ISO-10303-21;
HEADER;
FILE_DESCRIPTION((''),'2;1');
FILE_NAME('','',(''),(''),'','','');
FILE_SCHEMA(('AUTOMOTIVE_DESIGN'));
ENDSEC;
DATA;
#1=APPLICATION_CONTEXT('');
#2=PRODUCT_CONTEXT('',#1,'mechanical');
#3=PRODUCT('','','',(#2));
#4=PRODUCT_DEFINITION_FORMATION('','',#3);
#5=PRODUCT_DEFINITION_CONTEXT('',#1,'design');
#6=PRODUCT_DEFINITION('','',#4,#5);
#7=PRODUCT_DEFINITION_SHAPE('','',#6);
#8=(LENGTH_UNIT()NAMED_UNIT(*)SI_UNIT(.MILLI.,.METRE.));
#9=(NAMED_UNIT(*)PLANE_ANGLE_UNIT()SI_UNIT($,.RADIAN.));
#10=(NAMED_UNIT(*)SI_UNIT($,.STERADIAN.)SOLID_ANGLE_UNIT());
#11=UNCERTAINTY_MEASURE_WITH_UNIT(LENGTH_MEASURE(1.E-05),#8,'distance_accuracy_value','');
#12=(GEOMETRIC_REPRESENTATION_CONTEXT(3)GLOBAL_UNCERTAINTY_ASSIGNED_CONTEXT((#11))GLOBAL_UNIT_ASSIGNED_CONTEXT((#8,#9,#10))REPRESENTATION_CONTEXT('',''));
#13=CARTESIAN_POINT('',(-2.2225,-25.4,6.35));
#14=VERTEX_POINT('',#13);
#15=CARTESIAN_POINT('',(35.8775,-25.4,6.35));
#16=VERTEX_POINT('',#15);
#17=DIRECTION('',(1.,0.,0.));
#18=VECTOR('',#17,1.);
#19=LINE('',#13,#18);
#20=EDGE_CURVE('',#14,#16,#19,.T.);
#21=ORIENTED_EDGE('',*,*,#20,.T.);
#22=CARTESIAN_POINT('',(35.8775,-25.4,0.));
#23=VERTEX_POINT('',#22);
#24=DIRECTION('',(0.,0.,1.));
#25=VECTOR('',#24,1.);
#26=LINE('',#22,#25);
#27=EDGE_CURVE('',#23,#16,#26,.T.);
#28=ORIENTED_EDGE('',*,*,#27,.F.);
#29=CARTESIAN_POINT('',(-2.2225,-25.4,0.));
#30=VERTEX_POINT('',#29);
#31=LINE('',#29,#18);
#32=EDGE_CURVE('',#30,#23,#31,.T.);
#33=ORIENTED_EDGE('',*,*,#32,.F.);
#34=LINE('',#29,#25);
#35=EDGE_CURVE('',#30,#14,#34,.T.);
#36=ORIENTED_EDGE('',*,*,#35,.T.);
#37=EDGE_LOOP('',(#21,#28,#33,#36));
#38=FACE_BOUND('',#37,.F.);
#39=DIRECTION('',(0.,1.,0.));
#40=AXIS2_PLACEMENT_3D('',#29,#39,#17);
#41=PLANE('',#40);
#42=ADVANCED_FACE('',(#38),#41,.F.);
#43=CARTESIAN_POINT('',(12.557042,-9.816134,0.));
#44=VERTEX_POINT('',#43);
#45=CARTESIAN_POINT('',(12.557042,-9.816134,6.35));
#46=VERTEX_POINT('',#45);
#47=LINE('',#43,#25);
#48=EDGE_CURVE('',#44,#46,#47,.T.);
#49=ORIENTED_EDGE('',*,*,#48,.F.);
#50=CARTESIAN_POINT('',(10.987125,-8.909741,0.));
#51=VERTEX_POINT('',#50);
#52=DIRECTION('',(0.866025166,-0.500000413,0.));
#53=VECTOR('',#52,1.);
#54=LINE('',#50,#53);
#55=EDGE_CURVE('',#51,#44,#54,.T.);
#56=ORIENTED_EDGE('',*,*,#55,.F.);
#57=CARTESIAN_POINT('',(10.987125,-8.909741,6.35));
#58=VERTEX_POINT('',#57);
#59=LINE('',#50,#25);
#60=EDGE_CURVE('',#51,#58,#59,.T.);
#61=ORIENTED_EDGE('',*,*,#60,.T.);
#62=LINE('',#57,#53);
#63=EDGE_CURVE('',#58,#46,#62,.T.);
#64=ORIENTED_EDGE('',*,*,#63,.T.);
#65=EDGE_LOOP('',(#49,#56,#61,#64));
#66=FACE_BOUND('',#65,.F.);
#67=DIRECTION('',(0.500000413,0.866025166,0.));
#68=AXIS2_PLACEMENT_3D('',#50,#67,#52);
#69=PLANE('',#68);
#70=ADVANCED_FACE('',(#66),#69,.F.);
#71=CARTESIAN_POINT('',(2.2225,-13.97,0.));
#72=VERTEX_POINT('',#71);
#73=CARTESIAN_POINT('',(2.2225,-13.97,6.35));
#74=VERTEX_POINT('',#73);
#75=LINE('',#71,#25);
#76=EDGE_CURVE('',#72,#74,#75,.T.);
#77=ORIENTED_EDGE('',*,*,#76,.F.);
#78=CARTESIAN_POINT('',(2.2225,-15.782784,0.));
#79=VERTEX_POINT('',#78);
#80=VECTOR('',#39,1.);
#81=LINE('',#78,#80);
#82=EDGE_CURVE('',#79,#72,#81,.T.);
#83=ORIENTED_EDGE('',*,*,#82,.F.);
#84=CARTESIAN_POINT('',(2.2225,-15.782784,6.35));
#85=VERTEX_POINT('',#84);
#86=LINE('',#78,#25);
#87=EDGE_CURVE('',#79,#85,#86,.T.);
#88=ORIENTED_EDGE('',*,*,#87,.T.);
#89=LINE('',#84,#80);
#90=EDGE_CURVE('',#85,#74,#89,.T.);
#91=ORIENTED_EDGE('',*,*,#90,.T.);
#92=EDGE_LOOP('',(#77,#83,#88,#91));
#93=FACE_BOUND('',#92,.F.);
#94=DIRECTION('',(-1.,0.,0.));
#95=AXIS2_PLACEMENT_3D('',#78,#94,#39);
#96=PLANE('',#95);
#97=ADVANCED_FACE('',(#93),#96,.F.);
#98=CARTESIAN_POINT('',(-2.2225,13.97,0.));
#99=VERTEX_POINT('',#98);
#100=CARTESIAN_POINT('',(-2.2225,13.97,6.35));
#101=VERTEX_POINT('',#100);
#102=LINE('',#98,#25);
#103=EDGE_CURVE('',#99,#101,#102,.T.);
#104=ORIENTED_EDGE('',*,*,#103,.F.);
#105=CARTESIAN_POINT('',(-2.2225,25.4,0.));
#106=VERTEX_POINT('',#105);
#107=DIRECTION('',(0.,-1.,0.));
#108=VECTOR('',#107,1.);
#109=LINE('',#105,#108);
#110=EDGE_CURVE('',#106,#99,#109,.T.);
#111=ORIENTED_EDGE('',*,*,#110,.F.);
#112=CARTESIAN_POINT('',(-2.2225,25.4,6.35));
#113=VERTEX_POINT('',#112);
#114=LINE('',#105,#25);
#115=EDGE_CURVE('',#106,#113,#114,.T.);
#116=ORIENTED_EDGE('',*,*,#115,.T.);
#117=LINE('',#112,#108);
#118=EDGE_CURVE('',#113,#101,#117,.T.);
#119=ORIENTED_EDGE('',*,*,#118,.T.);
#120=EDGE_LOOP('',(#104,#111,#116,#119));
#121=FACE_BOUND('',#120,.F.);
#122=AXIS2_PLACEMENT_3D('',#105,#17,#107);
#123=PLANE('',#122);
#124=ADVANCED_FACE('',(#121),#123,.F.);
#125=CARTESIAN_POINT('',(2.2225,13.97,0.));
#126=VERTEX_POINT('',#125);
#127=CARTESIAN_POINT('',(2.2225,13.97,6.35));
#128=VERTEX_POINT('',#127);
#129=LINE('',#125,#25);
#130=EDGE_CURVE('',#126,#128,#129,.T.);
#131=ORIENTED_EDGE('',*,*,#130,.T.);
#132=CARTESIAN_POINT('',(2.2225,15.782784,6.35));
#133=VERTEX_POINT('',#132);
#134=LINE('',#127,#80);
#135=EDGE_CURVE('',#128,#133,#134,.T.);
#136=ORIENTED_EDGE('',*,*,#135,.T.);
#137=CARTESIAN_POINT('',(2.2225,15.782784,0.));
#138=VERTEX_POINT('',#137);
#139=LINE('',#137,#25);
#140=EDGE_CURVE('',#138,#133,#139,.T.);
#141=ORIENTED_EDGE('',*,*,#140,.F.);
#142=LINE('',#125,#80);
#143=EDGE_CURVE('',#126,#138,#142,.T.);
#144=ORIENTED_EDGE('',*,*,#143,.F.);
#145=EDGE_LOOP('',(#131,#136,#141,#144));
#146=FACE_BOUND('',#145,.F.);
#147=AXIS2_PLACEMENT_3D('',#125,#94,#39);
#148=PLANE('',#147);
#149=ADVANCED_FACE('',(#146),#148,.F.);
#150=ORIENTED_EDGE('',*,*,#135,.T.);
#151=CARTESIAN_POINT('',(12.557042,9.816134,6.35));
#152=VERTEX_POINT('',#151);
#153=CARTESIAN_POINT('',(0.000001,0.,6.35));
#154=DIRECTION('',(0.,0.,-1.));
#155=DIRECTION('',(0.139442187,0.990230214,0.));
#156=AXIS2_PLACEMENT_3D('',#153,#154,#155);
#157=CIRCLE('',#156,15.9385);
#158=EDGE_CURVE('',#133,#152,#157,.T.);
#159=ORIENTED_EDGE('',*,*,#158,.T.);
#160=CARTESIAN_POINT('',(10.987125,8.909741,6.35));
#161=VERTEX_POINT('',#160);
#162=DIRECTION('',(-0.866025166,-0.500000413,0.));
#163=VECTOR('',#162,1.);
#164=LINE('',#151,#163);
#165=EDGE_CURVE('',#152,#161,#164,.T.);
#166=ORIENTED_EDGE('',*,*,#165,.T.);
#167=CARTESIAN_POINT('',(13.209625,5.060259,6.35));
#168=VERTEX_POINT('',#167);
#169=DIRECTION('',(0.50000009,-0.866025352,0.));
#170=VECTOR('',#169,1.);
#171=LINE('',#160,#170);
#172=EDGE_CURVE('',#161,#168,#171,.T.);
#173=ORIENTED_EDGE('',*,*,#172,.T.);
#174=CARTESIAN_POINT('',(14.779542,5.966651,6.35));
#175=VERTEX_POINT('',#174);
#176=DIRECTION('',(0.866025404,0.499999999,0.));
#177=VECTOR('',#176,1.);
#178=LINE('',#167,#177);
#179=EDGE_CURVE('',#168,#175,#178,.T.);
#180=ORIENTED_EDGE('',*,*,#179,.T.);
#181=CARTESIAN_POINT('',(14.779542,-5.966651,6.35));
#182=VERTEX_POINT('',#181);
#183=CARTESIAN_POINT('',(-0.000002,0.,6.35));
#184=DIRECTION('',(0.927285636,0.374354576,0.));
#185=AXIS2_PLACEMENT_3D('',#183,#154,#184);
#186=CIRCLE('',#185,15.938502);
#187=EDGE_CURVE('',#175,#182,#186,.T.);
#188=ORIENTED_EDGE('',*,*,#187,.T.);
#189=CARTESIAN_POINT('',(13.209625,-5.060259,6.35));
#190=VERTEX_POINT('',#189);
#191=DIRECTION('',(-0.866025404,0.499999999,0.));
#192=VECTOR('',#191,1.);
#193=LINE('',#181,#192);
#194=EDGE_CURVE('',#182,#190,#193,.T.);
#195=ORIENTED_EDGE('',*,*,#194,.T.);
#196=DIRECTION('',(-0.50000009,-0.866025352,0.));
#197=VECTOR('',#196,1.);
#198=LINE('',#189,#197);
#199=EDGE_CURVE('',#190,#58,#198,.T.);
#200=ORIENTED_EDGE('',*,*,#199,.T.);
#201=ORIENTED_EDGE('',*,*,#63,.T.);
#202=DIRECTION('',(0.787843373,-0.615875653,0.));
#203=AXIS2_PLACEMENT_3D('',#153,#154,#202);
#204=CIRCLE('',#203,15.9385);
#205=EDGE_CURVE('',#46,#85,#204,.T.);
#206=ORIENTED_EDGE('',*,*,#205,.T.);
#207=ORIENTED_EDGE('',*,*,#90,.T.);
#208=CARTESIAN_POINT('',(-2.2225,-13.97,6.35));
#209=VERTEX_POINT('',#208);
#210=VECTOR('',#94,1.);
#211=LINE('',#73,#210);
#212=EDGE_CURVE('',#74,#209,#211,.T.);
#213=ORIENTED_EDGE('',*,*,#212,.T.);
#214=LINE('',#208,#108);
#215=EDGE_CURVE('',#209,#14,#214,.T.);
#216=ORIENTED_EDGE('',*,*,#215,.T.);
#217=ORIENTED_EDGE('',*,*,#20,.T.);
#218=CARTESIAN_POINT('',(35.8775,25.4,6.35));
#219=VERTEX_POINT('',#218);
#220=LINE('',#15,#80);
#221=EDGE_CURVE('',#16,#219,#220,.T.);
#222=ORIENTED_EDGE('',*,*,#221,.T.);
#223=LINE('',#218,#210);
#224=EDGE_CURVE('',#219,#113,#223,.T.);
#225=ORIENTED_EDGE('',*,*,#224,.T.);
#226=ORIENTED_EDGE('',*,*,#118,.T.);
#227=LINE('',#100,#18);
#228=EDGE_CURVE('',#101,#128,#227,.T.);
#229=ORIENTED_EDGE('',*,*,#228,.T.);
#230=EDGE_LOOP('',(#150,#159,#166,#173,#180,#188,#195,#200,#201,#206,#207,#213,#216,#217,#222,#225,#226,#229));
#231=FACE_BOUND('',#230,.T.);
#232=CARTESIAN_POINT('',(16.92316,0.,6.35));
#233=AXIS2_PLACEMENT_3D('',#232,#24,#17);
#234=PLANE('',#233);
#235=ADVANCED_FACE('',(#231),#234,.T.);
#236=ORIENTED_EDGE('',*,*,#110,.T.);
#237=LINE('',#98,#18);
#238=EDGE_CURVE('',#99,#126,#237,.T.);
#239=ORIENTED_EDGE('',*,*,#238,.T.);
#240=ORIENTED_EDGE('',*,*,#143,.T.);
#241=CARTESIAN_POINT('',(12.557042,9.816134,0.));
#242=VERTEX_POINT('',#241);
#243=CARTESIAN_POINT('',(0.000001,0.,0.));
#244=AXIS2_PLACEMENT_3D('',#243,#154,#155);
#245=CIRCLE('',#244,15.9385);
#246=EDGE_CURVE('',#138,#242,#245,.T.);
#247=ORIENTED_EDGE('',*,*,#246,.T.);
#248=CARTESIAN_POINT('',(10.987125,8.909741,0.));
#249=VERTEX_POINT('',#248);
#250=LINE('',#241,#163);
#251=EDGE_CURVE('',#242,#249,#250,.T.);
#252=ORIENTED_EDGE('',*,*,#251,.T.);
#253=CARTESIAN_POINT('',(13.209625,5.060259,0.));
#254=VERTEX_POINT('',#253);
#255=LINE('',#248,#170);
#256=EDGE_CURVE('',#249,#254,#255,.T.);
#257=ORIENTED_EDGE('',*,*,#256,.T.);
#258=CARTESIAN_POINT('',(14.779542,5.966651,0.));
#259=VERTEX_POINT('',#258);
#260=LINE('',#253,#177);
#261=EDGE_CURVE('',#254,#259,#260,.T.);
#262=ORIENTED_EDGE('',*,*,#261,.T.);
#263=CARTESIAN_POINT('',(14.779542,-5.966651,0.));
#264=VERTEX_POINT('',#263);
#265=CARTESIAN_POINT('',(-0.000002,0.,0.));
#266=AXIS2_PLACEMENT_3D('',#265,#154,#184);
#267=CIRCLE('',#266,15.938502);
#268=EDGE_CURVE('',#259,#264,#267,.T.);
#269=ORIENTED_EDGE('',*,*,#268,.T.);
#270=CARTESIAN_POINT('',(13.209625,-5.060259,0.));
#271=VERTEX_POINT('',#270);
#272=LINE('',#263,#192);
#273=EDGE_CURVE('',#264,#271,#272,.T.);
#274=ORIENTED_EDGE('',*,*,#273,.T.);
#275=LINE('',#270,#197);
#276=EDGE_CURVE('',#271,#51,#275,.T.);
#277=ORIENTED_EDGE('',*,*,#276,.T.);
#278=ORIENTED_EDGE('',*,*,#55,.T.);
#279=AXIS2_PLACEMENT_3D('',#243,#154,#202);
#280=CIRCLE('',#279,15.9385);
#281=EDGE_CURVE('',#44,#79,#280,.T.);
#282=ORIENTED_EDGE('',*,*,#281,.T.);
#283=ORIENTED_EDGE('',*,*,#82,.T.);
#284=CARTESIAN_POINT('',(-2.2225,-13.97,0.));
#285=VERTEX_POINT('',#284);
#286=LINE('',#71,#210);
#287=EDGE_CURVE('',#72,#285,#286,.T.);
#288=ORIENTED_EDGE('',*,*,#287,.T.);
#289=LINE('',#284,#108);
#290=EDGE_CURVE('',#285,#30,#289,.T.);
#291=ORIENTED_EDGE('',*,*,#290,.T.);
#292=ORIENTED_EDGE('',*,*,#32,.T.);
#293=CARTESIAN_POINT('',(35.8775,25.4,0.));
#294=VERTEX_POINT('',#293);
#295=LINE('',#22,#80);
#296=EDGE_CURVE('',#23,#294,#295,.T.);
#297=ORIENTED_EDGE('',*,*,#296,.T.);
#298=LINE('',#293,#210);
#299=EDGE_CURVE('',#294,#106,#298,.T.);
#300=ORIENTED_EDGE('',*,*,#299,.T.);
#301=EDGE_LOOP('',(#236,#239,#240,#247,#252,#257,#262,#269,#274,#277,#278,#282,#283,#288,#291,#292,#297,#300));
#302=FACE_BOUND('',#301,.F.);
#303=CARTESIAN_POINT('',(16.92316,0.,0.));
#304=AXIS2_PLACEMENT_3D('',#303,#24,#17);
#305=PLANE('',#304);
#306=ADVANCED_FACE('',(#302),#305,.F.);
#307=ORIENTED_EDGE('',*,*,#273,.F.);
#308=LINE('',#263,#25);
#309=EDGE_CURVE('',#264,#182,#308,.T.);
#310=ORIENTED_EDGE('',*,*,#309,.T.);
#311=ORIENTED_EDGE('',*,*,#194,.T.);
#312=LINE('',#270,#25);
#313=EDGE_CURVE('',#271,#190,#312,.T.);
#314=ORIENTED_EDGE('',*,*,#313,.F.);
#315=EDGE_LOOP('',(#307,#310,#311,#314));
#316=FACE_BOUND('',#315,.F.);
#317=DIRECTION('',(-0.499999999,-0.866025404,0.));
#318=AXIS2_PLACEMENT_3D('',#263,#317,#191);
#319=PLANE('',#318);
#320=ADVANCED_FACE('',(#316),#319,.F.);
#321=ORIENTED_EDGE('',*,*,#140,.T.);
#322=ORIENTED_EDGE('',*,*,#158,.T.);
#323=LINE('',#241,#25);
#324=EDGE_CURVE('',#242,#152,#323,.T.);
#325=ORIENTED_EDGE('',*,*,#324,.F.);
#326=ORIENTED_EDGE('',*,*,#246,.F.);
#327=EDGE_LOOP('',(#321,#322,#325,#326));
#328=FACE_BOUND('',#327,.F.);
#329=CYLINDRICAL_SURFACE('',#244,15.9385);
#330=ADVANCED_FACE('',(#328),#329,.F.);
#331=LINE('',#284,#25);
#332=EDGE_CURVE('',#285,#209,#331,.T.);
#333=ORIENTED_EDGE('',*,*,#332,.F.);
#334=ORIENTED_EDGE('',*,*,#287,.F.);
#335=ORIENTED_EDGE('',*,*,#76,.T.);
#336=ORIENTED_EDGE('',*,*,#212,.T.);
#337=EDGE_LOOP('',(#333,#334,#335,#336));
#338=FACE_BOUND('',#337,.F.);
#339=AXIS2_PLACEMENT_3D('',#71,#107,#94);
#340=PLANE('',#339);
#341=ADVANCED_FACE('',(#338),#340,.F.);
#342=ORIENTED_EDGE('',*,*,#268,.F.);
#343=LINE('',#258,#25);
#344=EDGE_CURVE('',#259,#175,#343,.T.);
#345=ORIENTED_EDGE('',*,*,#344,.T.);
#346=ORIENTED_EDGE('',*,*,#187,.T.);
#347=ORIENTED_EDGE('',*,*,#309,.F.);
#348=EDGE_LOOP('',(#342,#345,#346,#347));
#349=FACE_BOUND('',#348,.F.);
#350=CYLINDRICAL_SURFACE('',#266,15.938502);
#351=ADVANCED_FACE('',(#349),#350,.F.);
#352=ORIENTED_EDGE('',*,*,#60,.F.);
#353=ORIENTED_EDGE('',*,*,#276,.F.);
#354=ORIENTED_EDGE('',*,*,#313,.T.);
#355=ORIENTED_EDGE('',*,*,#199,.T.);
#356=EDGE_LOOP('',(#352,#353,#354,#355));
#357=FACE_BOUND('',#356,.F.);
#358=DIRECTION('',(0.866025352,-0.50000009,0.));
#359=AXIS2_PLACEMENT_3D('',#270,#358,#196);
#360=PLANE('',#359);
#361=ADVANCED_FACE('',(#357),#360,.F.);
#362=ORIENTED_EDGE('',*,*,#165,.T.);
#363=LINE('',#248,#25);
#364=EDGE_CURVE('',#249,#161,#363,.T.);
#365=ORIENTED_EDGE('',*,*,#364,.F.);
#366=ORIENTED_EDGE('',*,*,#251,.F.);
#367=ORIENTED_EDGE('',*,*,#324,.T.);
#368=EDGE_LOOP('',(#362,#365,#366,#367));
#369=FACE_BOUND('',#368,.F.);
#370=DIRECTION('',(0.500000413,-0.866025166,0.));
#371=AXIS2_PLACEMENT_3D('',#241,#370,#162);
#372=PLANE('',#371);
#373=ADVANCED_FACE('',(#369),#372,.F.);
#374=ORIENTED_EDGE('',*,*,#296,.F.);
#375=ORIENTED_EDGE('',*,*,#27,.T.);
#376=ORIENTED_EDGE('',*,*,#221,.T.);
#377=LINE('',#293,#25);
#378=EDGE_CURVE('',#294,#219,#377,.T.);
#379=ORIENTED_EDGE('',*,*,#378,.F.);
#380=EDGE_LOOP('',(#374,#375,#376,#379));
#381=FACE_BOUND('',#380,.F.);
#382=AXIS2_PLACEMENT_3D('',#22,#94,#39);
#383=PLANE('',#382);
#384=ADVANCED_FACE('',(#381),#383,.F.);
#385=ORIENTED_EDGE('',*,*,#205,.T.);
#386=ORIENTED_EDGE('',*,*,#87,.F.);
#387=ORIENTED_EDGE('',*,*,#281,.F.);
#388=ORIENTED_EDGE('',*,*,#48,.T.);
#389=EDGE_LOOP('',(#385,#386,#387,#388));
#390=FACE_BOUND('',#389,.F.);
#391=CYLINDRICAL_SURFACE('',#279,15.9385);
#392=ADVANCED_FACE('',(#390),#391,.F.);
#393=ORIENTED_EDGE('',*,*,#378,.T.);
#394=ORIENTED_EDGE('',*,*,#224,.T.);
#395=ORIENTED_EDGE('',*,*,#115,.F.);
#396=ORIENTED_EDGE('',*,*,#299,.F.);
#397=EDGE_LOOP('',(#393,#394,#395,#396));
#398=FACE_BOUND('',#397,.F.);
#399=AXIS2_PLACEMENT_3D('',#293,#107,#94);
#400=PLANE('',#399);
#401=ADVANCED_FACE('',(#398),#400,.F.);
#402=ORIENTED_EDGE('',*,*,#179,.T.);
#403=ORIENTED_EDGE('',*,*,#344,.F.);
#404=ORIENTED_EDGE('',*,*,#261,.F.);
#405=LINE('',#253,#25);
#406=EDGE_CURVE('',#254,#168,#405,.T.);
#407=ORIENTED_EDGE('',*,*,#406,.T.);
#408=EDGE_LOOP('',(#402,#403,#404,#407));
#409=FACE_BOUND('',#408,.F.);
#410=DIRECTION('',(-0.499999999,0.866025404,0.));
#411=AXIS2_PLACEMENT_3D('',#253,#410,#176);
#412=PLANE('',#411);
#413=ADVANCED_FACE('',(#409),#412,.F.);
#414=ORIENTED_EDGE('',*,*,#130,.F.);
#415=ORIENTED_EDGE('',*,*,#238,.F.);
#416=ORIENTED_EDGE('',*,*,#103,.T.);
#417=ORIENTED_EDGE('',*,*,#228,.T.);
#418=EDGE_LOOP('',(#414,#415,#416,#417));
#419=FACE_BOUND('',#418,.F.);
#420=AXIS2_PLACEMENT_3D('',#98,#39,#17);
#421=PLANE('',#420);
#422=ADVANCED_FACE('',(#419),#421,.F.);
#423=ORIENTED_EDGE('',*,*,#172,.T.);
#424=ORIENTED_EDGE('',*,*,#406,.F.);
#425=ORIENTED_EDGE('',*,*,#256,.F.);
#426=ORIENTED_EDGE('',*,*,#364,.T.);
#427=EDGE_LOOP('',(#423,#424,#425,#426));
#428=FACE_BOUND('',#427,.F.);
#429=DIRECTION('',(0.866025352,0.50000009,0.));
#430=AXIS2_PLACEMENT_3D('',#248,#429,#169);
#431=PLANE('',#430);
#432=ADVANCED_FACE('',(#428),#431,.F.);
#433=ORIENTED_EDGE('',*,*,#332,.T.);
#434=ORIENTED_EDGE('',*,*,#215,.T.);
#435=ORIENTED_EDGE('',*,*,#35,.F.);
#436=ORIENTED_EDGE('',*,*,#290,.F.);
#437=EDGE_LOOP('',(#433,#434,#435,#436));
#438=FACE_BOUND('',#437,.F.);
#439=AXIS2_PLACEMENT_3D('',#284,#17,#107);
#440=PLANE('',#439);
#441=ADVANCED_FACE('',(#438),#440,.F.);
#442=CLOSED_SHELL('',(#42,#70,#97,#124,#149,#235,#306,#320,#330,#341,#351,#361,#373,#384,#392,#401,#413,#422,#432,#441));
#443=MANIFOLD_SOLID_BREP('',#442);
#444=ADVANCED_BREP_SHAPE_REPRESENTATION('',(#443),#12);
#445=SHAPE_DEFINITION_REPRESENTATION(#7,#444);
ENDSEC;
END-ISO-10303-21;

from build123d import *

# Parameters (mm, degrees)
F2_DEPTH = 6.35


with BuildPart() as f2:
    # F1 (on Top) → F2 (new body)
    with BuildSketch(Plane.XY):
        with BuildLine():
            Line((-2.2225, 15.782784), (-2.2225, 13.97))
            Line((-2.2225, 13.97), (2.2225, 13.97))
            Line((2.2225, 13.97), (2.2225, 15.782784))
            ThreePointArc((2.2225, 15.782784), (7.96925, 13.803146), (12.557042, 9.816134))
            Line((12.557042, 9.816134), (10.987125, 8.909741))
            Line((10.987125, 8.909741), (13.209625, 5.060259))
            Line((13.209625, 5.060259), (14.779542, 5.966651))
            ThreePointArc((14.779542, 5.966651), (15.9385, 0), (14.779542, -5.966651))
            Line((14.779542, -5.966651), (13.209625, -5.060259))
            Line((13.209625, -5.060259), (10.987125, -8.909741))
            Line((10.987125, -8.909741), (12.557042, -9.816134))
            ThreePointArc((12.557042, -9.816134), (7.96925, -13.803146), (2.2225, -15.782784))
            Line((2.2225, -15.782784), (2.2225, -13.97))
            Line((2.2225, -13.97), (-2.2225, -13.97))
            Line((-2.2225, -13.97), (-2.2225, -15.782784))
            Line((-2.2225, -15.782784), (-2.2225, -25.4))
            Line((-2.2225, -25.4), (35.8775, -25.4))
            Line((35.8775, -25.4), (35.8775, 25.4))
            Line((35.8775, 25.4), (-2.2225, 25.4))
            Line((-2.2225, 25.4), (-2.2225, 15.782784))
        make_face()
    extrude(amount=F2_DEPTH)


solid = f2.part
